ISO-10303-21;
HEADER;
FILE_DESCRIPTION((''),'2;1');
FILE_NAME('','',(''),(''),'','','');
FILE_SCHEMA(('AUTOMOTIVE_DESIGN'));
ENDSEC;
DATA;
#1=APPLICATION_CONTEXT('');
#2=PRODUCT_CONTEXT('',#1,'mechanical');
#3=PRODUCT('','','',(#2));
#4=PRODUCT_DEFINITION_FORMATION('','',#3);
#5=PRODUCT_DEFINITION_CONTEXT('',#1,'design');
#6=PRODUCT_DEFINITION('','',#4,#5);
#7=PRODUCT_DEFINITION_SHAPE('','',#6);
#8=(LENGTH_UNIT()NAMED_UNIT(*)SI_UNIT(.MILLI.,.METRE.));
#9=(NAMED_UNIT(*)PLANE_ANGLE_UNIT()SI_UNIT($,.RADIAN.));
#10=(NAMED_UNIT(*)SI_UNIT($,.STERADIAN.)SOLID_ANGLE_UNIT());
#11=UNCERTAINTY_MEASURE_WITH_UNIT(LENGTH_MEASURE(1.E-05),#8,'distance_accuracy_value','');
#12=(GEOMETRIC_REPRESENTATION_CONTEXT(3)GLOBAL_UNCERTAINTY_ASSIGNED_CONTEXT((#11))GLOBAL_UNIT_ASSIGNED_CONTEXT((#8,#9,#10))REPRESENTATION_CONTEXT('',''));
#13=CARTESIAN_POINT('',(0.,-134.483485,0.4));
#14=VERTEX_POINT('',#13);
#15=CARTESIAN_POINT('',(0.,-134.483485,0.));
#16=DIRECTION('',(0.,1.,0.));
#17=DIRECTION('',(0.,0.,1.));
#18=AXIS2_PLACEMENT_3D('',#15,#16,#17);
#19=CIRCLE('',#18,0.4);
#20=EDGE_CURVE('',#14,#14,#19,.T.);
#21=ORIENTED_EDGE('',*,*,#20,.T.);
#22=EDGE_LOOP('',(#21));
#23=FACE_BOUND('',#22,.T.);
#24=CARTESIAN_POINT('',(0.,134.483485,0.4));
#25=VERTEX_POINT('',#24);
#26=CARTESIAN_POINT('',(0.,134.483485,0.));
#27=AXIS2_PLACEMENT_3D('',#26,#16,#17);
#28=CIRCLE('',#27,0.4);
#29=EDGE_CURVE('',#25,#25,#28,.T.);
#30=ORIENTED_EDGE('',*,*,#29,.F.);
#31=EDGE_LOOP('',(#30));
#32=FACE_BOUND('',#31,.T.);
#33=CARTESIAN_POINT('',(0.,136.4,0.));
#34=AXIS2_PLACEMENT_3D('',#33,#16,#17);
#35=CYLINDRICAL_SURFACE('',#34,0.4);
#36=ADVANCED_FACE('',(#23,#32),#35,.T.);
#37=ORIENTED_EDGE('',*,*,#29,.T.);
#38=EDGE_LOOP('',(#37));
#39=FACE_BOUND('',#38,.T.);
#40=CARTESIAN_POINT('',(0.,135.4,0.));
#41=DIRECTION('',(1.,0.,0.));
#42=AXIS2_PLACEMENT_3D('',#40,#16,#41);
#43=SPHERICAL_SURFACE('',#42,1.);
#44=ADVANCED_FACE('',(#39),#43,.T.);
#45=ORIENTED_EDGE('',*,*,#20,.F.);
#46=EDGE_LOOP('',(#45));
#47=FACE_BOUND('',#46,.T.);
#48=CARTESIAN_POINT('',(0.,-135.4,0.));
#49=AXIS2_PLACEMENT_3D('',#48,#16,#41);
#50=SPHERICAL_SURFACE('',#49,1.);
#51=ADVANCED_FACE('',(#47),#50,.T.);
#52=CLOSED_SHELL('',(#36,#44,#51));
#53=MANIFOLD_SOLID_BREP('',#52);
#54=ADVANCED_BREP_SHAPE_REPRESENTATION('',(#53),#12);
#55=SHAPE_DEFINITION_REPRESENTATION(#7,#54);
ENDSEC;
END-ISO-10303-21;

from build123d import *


with BuildPart() as part:
    # Sketch1 → Revolve1 (revolve)
    with BuildSketch(Plane.XY):
        with BuildLine():
            Line((0.4, -134.483484861), (0.4, 134.483484861))
            ThreePointArc((0.4, 134.483484861), (0.978906313, 135.604309644), (0, 136.4))
            Line((0, 136.4), (0, -136.4))
            ThreePointArc((0, -136.4), (0.978906313, -135.604309644), (0.4, -134.483484861))
        make_face()
    revolve(axis=Axis((0, 136.4, 0), (0, -1, 0)))


solid = part.part
